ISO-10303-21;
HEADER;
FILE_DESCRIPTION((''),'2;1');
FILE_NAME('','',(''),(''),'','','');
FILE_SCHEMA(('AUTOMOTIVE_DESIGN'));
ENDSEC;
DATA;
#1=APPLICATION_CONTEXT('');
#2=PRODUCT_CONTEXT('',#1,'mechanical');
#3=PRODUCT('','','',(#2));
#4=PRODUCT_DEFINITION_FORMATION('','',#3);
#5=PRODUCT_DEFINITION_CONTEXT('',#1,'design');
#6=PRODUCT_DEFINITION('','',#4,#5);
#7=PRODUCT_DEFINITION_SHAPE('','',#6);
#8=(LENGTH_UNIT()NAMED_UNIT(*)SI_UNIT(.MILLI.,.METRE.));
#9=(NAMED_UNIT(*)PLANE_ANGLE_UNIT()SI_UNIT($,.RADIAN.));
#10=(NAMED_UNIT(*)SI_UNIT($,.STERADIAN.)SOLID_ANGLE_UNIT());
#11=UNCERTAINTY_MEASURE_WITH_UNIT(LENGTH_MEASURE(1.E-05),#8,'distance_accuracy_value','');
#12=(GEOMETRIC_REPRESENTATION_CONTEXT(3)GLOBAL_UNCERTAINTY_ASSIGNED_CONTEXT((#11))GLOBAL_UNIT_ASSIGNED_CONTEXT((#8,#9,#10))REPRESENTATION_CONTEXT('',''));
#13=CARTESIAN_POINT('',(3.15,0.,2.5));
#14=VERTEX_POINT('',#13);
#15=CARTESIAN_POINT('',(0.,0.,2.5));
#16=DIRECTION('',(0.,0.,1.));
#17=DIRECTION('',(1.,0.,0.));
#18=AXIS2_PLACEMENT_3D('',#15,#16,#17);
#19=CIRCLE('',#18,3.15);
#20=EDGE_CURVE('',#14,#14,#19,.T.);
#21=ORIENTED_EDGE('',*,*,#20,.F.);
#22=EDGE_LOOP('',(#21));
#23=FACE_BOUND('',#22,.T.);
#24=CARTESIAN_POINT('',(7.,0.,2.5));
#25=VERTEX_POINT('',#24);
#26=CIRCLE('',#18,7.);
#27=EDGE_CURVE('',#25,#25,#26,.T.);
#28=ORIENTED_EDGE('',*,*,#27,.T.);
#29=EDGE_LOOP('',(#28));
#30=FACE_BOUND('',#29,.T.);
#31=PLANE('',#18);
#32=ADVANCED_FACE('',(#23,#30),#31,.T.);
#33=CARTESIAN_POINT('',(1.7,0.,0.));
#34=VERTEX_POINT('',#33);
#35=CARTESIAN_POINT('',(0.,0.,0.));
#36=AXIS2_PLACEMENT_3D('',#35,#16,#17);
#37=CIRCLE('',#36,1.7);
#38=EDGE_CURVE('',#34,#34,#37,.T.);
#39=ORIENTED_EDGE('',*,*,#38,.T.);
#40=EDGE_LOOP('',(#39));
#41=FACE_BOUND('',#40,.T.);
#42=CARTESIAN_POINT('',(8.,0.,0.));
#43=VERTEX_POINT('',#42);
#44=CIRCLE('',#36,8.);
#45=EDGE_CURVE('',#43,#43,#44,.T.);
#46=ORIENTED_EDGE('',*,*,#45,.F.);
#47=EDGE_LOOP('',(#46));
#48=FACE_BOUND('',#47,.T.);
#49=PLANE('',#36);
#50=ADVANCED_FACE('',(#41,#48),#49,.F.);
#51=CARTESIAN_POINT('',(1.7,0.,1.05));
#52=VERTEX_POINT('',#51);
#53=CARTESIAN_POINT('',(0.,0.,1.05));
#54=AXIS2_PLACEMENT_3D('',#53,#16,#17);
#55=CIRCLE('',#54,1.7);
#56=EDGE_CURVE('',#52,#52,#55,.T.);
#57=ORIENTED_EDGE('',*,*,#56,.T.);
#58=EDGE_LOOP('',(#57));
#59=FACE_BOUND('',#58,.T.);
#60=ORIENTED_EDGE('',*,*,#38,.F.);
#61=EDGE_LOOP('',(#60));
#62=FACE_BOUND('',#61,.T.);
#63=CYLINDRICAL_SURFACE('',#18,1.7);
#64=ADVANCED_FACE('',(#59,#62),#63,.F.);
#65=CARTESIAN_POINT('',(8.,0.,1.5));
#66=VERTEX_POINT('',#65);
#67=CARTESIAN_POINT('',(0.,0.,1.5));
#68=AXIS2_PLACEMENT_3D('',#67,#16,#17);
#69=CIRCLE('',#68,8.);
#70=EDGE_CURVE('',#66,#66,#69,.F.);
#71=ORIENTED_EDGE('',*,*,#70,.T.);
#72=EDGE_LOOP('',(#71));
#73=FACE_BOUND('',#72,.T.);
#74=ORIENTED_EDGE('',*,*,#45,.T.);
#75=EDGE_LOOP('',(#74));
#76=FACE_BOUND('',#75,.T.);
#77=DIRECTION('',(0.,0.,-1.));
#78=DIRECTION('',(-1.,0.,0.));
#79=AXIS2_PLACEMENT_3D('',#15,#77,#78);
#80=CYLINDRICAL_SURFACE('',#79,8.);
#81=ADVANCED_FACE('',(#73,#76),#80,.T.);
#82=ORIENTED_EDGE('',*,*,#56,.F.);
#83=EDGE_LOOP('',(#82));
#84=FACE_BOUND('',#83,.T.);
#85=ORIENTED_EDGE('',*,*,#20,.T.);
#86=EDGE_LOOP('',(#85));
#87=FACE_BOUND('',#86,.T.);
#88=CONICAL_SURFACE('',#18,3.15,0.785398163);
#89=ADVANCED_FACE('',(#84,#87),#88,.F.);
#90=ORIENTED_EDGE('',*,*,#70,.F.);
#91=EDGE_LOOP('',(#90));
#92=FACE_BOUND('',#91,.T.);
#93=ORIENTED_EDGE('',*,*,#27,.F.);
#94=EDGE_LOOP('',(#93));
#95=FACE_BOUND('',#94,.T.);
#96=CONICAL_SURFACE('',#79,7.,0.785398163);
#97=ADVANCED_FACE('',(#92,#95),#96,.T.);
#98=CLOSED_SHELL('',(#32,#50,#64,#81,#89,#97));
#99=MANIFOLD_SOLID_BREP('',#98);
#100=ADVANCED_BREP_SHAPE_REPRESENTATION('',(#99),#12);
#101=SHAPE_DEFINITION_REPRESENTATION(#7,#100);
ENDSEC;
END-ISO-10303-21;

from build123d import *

# Parameters (mm, degrees)
SKETCH_1_R      = 8
EXTRUDE_1_DEPTH = 2.5
CHAMFER_1_SIZE  = 1


with BuildPart() as part:
    # Эскиз1 → Бобышка-Вытянуть1 (new body)
    with BuildSketch(Plane.XY):
        Circle(SKETCH_1_R)
    extrude(amount=EXTRUDE_1_DEPTH)

    # Фаска1
    chamfer_1_edges = [part.edges().sort_by_distance(p)[0] for p in [
        (-8, 0, 2.5),
    ]]
    chamfer(chamfer_1_edges, length=CHAMFER_1_SIZE)

    # Эскиз4 → Зенковка для винта с полупотайной головкой M31 (revolve, cut)
    with BuildSketch(Plane(origin=(0, 0, 2.5), x_dir=(0, -1, 0), z_dir=(1, 0, 0))):
        Polygon((0, 0), (0, 2.5), (1.7, 2.5), (1.7, 1.45), (3.15, 0), align=None)
    revolve(axis=Axis((0, 0, 8.85), (0, 0, -1)), mode=Mode.SUBTRACT)


solid = part.part
